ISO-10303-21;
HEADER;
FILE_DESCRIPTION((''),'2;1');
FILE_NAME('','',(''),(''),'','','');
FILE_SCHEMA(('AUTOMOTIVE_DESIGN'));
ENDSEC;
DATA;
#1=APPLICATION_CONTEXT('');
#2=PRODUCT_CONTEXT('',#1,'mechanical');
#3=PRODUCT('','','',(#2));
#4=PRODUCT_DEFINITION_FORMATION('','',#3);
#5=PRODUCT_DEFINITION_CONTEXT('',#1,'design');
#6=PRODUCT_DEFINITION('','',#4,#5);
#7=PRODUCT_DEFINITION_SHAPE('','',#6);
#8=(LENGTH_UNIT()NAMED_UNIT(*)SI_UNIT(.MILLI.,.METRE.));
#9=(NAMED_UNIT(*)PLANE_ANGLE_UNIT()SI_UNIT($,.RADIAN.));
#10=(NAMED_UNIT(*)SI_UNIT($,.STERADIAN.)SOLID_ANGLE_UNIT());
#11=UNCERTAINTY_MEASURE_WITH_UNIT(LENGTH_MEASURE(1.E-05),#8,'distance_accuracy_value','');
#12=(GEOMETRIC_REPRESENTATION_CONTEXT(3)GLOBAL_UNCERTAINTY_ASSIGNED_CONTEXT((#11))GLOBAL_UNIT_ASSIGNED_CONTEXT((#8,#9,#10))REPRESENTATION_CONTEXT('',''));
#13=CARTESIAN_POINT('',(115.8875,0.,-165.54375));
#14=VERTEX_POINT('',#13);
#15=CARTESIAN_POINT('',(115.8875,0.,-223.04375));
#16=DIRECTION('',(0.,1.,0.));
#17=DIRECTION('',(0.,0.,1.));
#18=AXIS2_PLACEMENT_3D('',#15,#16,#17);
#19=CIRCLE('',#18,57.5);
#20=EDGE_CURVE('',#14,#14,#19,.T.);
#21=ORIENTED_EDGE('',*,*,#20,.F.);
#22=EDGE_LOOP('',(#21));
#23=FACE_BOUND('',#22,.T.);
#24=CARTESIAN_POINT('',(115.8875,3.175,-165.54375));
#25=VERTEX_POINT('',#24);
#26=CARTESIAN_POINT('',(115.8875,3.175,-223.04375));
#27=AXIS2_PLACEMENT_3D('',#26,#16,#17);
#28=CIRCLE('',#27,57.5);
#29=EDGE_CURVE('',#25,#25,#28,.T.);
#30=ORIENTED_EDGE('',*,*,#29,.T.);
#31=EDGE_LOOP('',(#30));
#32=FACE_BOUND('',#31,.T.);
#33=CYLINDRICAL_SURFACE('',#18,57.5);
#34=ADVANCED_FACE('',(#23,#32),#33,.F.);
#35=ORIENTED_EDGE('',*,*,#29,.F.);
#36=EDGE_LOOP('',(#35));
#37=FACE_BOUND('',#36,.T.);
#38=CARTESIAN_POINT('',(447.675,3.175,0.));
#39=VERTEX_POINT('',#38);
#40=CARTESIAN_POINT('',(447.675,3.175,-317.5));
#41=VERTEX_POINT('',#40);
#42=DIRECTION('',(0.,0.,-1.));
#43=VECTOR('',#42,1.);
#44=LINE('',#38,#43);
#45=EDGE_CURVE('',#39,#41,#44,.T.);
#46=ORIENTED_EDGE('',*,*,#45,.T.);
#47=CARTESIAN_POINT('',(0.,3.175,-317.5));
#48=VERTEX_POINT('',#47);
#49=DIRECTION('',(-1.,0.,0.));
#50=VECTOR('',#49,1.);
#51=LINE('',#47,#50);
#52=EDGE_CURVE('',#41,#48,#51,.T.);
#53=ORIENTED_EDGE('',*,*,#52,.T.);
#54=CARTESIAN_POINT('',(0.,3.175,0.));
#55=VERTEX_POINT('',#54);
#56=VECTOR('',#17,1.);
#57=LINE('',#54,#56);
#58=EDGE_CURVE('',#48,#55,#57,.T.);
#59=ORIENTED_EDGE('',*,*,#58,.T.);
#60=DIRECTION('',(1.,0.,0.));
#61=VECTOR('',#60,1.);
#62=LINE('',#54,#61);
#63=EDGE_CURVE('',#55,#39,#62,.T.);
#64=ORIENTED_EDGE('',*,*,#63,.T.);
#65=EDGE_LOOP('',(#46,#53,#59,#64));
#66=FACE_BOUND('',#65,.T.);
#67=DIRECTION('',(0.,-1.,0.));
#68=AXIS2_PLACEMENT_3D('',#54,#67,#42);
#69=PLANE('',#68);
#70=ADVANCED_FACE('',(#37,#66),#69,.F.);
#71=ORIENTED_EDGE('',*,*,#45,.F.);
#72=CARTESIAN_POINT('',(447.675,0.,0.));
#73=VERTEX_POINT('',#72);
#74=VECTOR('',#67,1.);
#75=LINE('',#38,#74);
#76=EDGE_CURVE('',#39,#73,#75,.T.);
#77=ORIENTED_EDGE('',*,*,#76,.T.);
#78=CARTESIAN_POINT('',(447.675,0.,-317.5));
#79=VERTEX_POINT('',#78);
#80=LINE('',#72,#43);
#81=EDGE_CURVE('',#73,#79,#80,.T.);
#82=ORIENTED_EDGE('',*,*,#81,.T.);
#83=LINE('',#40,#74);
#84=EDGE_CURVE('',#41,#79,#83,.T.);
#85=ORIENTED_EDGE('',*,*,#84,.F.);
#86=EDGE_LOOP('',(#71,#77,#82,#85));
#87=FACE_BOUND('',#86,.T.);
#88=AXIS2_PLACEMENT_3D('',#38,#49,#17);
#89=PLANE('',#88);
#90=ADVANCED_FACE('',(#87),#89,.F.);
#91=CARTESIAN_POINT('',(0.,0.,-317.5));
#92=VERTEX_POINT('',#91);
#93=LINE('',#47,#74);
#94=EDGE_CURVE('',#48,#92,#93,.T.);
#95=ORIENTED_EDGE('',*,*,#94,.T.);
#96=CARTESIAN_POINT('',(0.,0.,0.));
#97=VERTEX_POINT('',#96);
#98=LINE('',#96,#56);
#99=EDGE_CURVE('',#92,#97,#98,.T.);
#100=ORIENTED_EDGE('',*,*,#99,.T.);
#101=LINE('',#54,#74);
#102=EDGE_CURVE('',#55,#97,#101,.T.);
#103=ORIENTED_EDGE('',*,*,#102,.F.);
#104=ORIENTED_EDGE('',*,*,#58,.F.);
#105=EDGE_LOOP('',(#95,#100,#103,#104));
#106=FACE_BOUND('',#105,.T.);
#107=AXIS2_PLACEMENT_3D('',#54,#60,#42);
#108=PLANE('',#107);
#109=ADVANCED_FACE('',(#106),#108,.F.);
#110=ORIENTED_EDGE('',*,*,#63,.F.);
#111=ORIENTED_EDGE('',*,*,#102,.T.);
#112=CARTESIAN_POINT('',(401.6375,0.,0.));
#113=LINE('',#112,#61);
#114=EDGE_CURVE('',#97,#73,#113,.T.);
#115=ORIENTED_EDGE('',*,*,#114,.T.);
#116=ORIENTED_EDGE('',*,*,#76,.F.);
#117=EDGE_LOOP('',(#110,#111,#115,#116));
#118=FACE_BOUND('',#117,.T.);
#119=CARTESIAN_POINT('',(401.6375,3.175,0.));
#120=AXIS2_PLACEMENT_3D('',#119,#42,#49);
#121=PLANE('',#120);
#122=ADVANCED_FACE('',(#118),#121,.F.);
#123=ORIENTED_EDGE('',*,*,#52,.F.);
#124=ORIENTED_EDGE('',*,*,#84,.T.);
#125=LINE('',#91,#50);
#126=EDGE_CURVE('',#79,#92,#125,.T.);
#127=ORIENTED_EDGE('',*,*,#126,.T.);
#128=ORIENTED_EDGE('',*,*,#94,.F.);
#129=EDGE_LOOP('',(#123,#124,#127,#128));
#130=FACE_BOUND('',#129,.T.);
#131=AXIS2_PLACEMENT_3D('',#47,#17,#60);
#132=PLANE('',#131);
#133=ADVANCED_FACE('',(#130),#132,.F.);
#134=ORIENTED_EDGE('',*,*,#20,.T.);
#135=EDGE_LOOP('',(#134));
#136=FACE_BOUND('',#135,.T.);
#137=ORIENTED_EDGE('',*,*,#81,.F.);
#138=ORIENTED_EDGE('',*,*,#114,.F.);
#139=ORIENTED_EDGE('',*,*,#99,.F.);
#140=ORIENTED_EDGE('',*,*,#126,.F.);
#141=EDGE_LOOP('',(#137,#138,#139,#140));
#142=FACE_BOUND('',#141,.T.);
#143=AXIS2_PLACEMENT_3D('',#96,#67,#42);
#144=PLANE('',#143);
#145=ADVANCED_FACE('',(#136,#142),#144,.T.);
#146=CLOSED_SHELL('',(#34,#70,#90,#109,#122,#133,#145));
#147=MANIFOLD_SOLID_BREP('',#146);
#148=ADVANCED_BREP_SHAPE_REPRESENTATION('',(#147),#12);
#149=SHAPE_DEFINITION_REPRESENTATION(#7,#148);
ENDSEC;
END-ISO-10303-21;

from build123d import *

# Parameters (mm, degrees)
BOSS_EXTRUDE1_DEPTH = 3.175
SKETCH4_R           = 57.5
CUT_EXTRUDE3_DEPTH  = 549.843544419


with BuildPart() as part:
    # Sketch1 → Boss-Extrude1 (new body)
    with BuildSketch(Plane(origin=(0, 0, 0), x_dir=(1, 0, 0), z_dir=(0, 1, 0))):
        Polygon((401.6375, 0), (447.675, 0), (447.675, 317.5), (0, 317.5), (0, 0), (46.0375, 0), align=None)
    extrude(amount=BOSS_EXTRUDE1_DEPTH)

    # Sketch4 → Cut-Extrude3 (cut, through all)
    with BuildSketch(Plane(origin=(0, 3.175, 0), x_dir=(1, 0, 0), z_dir=(0, 1, 0))):
        with Locations(Location((115.8875, 223.04375, 0), (0, 0, 270))):
            Circle(SKETCH4_R)
    extrude(amount=-CUT_EXTRUDE3_DEPTH, mode=Mode.SUBTRACT)


solid = part.part
